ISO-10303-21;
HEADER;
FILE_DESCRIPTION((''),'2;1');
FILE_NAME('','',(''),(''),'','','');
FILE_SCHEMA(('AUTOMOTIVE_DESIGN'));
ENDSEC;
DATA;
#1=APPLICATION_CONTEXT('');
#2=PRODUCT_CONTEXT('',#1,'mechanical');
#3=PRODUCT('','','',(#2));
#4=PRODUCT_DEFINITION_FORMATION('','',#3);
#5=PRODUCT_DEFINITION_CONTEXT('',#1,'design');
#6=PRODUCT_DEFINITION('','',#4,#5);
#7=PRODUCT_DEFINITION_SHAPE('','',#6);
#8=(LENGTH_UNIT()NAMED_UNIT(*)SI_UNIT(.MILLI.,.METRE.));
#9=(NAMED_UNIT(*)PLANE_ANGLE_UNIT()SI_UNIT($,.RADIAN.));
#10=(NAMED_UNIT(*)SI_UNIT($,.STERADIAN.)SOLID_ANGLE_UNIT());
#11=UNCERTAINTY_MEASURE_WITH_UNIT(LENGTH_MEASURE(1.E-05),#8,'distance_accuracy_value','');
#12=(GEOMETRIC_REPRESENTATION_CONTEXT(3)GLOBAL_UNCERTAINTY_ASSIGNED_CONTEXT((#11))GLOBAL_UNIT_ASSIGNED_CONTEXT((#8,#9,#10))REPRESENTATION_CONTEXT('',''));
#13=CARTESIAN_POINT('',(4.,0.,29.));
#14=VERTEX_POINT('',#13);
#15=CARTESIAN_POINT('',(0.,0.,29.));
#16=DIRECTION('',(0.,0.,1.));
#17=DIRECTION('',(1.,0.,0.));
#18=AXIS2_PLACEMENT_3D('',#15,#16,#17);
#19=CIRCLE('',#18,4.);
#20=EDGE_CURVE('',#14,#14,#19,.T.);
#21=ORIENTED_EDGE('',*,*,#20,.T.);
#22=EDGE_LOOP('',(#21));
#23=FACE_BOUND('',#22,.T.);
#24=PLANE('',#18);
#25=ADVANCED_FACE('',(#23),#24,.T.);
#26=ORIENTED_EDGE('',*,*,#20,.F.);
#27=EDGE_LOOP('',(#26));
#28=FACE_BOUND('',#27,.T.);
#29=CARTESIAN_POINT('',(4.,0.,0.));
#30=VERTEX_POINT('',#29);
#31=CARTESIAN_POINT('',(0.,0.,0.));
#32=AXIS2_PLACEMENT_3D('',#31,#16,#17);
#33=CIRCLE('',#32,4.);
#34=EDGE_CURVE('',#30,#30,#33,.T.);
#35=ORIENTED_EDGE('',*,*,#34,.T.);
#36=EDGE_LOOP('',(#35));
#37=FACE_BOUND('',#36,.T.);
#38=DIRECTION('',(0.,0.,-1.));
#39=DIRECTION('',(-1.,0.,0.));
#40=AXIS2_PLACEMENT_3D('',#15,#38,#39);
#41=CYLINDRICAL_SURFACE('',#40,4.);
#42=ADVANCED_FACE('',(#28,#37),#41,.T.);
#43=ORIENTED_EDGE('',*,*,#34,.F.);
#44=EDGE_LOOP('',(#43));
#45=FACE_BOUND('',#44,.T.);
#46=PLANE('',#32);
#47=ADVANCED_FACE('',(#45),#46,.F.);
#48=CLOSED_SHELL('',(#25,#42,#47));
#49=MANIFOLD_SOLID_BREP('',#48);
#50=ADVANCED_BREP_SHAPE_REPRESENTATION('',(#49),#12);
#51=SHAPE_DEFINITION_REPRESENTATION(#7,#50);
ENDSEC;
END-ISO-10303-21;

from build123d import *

# Parameters (mm, degrees)
ESQUISSE1_R        = 4
BOSS_EXTRU_1_DEPTH = 29


with BuildPart() as part:
    # Esquisse1 → Boss.-Extru.1 (new body)
    with BuildSketch(Plane.XY):
        Circle(ESQUISSE1_R)
    extrude(amount=BOSS_EXTRU_1_DEPTH)


solid = part.part
